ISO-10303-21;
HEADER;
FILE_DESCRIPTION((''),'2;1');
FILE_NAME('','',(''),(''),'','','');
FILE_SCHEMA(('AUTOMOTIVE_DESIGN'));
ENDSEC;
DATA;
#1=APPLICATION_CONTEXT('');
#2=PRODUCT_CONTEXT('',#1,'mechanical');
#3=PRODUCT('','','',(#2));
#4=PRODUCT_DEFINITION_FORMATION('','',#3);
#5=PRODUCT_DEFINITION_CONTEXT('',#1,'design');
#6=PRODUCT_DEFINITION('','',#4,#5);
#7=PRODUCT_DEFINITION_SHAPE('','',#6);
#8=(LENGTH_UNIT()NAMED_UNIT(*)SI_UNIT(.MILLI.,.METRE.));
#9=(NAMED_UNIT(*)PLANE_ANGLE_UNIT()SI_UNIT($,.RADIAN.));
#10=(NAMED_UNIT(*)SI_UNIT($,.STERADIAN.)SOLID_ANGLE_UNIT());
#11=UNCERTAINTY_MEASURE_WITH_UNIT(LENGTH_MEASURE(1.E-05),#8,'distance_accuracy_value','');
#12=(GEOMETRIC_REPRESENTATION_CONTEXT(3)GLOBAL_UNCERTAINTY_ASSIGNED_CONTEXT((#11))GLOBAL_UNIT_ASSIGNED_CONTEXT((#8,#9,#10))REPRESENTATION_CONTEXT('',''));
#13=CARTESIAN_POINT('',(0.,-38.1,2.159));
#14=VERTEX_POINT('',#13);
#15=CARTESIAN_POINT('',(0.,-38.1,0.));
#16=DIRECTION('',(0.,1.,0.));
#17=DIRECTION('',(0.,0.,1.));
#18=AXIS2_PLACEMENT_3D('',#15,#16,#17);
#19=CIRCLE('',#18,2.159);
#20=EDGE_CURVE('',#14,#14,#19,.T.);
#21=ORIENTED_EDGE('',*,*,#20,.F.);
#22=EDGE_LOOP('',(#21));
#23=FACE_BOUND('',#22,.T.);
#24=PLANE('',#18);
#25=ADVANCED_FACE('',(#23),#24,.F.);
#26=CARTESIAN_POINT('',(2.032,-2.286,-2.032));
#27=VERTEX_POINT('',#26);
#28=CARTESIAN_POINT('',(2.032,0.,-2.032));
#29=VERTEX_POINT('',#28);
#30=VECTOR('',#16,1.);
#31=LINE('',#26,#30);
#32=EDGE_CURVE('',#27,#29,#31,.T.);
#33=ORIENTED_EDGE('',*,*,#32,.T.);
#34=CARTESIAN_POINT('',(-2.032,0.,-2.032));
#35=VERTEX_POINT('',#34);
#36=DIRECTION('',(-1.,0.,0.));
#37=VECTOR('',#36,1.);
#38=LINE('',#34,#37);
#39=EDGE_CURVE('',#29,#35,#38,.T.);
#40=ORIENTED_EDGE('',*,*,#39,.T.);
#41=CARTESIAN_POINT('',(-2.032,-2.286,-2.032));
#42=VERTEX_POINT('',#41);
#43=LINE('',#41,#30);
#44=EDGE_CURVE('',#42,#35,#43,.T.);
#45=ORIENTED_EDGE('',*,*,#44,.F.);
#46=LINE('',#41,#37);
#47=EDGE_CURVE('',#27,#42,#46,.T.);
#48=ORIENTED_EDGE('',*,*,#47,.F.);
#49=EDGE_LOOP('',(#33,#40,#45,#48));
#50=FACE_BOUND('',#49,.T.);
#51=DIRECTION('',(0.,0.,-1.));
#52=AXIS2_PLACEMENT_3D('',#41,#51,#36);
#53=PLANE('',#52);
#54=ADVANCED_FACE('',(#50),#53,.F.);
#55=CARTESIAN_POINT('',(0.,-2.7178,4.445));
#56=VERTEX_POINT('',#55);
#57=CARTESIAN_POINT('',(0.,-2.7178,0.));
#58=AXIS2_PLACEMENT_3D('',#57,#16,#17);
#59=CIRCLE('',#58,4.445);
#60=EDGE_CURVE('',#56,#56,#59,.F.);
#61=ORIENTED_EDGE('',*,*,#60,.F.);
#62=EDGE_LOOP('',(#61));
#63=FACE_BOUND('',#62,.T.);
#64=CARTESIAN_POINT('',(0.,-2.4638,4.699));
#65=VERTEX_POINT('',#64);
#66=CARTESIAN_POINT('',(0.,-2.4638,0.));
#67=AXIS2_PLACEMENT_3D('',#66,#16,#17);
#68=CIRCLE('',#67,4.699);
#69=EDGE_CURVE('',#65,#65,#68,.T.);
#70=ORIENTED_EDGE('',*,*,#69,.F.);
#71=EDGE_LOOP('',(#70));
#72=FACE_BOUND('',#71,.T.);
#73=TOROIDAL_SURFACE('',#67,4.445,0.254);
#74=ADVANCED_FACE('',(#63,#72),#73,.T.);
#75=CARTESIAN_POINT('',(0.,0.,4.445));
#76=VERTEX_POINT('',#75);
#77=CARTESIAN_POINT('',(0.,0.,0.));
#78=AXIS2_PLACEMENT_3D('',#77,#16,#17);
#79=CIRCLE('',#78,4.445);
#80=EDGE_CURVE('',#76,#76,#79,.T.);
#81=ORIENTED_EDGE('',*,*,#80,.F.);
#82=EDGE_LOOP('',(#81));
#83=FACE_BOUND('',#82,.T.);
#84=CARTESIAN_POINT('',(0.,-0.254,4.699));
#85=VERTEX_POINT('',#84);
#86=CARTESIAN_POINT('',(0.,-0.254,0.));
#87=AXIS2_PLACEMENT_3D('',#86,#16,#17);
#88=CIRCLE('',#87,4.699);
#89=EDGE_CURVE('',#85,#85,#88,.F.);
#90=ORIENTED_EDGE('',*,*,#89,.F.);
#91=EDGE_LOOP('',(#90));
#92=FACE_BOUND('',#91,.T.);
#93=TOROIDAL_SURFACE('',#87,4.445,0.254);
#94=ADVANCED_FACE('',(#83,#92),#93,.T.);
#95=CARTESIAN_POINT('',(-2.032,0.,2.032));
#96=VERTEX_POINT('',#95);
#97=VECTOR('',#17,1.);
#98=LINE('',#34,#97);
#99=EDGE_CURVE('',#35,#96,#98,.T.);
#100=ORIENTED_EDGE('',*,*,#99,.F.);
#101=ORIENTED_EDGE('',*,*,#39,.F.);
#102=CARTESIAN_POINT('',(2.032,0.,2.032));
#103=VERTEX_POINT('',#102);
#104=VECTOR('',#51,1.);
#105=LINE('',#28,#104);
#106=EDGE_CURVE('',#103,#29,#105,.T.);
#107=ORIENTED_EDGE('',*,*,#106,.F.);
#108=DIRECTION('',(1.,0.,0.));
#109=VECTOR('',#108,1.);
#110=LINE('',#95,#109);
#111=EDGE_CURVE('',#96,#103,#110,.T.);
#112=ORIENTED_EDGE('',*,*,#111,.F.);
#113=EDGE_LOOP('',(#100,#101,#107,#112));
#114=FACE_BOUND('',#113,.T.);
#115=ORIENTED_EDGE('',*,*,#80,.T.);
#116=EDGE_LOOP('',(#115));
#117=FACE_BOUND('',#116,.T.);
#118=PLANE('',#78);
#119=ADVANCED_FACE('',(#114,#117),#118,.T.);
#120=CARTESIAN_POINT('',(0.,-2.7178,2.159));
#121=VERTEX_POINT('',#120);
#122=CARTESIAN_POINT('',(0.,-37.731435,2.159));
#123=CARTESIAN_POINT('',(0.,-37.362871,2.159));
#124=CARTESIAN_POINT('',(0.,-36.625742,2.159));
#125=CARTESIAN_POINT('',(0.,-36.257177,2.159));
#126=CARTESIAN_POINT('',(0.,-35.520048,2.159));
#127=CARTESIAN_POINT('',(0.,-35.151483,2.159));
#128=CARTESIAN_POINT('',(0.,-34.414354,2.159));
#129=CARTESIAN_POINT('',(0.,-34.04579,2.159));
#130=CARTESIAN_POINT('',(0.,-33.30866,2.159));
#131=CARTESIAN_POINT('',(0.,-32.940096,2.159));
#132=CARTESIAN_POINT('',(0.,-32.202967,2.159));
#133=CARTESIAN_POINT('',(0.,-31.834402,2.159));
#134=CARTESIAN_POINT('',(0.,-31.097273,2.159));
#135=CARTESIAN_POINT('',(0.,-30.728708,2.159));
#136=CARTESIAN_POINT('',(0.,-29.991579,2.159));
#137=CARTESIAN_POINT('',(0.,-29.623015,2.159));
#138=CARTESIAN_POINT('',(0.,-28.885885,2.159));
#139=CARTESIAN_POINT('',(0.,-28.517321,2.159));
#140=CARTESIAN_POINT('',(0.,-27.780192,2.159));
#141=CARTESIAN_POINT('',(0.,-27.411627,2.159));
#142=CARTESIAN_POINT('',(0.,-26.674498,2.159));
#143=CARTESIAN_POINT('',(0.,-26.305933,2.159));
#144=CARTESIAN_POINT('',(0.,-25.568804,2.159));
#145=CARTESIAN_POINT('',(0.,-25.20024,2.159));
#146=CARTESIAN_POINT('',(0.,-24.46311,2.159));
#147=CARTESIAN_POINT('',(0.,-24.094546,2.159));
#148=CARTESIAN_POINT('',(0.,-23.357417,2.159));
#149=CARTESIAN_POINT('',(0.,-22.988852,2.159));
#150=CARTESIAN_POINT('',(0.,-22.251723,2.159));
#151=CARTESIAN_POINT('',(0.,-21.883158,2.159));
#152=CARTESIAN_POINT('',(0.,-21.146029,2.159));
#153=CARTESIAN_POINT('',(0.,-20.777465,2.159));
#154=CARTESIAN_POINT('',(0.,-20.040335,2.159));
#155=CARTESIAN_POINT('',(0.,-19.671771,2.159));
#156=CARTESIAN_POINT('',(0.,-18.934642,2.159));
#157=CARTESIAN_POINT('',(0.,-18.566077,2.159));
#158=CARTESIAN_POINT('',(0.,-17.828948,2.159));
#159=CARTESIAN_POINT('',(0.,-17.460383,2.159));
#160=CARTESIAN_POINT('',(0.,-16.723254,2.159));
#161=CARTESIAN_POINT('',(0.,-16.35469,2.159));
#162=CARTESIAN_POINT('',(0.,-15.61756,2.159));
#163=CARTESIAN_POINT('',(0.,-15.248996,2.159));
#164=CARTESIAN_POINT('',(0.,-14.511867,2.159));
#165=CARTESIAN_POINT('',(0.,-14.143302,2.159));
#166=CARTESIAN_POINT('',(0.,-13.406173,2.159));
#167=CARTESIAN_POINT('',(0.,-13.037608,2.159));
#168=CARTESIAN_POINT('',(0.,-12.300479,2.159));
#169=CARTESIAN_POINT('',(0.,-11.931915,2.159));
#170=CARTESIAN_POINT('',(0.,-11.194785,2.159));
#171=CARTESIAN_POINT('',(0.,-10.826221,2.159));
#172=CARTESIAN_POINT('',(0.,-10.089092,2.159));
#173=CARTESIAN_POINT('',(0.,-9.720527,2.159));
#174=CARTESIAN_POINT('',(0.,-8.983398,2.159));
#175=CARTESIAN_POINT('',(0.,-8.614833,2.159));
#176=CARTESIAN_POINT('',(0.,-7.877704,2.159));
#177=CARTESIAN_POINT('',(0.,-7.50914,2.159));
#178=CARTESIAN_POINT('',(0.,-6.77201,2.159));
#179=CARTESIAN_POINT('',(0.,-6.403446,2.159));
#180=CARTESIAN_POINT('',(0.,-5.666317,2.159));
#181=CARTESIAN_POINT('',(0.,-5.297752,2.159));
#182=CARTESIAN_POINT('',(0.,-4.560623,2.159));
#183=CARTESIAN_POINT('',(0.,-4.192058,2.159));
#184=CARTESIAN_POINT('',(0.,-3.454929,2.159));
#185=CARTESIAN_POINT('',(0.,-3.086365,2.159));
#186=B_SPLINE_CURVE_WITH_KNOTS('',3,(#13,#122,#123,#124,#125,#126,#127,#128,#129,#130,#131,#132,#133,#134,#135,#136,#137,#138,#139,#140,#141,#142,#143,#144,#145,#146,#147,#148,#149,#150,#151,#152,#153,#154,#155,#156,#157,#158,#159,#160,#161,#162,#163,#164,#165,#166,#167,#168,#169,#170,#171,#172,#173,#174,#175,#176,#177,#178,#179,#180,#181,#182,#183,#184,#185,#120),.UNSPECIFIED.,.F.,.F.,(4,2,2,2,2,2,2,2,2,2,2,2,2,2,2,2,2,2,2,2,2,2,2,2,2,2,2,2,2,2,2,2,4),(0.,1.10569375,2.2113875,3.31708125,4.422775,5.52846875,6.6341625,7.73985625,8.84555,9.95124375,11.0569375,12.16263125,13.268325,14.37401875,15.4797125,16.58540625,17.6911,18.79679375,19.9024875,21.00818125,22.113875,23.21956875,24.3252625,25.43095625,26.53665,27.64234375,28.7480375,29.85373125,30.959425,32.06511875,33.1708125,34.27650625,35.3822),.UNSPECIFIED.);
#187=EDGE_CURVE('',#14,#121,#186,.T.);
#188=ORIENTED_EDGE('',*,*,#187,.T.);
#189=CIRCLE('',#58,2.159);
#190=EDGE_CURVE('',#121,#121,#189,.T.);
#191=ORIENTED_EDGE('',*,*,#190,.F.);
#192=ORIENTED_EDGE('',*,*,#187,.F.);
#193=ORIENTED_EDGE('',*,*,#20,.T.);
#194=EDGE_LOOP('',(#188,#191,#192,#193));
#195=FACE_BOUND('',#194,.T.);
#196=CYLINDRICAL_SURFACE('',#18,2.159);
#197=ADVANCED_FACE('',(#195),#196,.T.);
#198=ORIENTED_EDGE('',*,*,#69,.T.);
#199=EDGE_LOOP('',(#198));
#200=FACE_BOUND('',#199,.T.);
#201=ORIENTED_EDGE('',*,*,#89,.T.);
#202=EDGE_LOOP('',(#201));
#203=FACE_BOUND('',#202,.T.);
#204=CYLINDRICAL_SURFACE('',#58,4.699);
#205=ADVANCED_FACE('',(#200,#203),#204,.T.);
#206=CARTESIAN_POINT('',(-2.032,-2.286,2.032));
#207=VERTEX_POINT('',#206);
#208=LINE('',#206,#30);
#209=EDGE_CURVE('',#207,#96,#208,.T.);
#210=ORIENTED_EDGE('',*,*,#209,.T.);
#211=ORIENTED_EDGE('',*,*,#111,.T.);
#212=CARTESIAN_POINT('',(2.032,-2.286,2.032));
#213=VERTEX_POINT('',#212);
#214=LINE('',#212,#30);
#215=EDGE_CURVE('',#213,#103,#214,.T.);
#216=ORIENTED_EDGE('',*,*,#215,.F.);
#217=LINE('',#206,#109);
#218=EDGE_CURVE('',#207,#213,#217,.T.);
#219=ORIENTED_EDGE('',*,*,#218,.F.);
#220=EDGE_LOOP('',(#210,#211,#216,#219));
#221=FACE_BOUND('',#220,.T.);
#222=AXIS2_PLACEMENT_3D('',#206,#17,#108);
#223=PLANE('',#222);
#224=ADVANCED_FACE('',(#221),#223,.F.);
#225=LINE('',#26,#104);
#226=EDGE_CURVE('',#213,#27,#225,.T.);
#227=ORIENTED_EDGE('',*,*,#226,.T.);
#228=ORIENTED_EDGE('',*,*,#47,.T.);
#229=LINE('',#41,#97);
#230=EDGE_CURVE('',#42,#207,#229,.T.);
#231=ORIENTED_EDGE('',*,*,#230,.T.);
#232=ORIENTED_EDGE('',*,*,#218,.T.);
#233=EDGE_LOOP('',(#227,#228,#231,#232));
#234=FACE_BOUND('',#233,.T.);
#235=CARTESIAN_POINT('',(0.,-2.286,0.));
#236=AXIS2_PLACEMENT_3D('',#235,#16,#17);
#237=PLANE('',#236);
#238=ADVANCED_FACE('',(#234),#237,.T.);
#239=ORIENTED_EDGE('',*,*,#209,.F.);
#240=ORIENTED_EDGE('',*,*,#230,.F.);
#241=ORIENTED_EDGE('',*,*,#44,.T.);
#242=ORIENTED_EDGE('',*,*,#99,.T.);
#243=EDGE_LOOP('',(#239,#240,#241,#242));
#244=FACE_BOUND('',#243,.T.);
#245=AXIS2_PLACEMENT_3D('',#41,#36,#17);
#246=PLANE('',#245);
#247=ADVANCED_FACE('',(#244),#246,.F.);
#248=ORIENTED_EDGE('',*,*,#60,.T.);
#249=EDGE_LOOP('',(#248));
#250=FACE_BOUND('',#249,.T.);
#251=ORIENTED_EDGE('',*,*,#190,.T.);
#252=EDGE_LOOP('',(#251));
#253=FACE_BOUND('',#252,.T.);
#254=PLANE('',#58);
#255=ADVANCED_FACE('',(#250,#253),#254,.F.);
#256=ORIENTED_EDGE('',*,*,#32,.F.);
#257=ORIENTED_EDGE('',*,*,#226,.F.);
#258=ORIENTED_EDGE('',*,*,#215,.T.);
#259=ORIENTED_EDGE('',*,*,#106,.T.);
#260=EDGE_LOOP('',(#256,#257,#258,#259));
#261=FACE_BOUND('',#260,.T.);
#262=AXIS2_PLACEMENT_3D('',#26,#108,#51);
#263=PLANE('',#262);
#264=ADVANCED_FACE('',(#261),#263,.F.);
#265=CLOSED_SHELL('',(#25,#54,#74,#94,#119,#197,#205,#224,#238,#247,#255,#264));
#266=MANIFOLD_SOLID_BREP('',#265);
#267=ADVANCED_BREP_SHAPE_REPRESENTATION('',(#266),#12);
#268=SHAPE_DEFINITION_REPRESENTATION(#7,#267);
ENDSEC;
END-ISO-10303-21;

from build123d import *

# Parameters (mm, degrees)
SKETCH1_R           = 4.699
BOSS_EXTRUDE1_DEPTH = 2.7178
SKETCH2_R           = 2.159
BOSS_EXTRUDE2_DEPTH = 38.1
SKETCH3_W           = 4.064
SKETCH3_H           = 4.064
CUT_EXTRUDE1_DEPTH  = 2.286
FILLET2_R           = 0.254


with BuildPart() as part:
    # Sketch1 → Boss-Extrude1 (new body)
    with BuildSketch(Plane(origin=(0, 0, 0), x_dir=(1, 0, 0), z_dir=(0, 1, 0))):
        with Locations(Location((0, 0, 0), (0, 0, 270))):
            Circle(SKETCH1_R)
    extrude(amount=-BOSS_EXTRUDE1_DEPTH)

    # Sketch2 → Boss-Extrude2 (add)
    with BuildSketch(Plane(origin=(0, 0, 0), x_dir=(1, 0, 0), z_dir=(0, 1, 0))):
        with Locations(Location((0, 0, 0), (0, 0, 270))):
            Circle(SKETCH2_R)
    extrude(amount=-BOSS_EXTRUDE2_DEPTH)

    # Sketch3 → Cut-Extrude1 (cut)
    with BuildSketch(Plane(origin=(0, 0, 0), x_dir=(1, 0, 0), z_dir=(0, 1, 0))):
        Rectangle(SKETCH3_W, SKETCH3_H)
    extrude(amount=-CUT_EXTRUDE1_DEPTH, mode=Mode.SUBTRACT)

    # Fillet2
    fillet2_edges = [part.edges().sort_by_distance(p)[0] for p in [
        (0, 0, -4.699),
        (0, -2.7178, -4.699),
    ]]
    fillet(fillet2_edges, radius=FILLET2_R)


solid = part.part
